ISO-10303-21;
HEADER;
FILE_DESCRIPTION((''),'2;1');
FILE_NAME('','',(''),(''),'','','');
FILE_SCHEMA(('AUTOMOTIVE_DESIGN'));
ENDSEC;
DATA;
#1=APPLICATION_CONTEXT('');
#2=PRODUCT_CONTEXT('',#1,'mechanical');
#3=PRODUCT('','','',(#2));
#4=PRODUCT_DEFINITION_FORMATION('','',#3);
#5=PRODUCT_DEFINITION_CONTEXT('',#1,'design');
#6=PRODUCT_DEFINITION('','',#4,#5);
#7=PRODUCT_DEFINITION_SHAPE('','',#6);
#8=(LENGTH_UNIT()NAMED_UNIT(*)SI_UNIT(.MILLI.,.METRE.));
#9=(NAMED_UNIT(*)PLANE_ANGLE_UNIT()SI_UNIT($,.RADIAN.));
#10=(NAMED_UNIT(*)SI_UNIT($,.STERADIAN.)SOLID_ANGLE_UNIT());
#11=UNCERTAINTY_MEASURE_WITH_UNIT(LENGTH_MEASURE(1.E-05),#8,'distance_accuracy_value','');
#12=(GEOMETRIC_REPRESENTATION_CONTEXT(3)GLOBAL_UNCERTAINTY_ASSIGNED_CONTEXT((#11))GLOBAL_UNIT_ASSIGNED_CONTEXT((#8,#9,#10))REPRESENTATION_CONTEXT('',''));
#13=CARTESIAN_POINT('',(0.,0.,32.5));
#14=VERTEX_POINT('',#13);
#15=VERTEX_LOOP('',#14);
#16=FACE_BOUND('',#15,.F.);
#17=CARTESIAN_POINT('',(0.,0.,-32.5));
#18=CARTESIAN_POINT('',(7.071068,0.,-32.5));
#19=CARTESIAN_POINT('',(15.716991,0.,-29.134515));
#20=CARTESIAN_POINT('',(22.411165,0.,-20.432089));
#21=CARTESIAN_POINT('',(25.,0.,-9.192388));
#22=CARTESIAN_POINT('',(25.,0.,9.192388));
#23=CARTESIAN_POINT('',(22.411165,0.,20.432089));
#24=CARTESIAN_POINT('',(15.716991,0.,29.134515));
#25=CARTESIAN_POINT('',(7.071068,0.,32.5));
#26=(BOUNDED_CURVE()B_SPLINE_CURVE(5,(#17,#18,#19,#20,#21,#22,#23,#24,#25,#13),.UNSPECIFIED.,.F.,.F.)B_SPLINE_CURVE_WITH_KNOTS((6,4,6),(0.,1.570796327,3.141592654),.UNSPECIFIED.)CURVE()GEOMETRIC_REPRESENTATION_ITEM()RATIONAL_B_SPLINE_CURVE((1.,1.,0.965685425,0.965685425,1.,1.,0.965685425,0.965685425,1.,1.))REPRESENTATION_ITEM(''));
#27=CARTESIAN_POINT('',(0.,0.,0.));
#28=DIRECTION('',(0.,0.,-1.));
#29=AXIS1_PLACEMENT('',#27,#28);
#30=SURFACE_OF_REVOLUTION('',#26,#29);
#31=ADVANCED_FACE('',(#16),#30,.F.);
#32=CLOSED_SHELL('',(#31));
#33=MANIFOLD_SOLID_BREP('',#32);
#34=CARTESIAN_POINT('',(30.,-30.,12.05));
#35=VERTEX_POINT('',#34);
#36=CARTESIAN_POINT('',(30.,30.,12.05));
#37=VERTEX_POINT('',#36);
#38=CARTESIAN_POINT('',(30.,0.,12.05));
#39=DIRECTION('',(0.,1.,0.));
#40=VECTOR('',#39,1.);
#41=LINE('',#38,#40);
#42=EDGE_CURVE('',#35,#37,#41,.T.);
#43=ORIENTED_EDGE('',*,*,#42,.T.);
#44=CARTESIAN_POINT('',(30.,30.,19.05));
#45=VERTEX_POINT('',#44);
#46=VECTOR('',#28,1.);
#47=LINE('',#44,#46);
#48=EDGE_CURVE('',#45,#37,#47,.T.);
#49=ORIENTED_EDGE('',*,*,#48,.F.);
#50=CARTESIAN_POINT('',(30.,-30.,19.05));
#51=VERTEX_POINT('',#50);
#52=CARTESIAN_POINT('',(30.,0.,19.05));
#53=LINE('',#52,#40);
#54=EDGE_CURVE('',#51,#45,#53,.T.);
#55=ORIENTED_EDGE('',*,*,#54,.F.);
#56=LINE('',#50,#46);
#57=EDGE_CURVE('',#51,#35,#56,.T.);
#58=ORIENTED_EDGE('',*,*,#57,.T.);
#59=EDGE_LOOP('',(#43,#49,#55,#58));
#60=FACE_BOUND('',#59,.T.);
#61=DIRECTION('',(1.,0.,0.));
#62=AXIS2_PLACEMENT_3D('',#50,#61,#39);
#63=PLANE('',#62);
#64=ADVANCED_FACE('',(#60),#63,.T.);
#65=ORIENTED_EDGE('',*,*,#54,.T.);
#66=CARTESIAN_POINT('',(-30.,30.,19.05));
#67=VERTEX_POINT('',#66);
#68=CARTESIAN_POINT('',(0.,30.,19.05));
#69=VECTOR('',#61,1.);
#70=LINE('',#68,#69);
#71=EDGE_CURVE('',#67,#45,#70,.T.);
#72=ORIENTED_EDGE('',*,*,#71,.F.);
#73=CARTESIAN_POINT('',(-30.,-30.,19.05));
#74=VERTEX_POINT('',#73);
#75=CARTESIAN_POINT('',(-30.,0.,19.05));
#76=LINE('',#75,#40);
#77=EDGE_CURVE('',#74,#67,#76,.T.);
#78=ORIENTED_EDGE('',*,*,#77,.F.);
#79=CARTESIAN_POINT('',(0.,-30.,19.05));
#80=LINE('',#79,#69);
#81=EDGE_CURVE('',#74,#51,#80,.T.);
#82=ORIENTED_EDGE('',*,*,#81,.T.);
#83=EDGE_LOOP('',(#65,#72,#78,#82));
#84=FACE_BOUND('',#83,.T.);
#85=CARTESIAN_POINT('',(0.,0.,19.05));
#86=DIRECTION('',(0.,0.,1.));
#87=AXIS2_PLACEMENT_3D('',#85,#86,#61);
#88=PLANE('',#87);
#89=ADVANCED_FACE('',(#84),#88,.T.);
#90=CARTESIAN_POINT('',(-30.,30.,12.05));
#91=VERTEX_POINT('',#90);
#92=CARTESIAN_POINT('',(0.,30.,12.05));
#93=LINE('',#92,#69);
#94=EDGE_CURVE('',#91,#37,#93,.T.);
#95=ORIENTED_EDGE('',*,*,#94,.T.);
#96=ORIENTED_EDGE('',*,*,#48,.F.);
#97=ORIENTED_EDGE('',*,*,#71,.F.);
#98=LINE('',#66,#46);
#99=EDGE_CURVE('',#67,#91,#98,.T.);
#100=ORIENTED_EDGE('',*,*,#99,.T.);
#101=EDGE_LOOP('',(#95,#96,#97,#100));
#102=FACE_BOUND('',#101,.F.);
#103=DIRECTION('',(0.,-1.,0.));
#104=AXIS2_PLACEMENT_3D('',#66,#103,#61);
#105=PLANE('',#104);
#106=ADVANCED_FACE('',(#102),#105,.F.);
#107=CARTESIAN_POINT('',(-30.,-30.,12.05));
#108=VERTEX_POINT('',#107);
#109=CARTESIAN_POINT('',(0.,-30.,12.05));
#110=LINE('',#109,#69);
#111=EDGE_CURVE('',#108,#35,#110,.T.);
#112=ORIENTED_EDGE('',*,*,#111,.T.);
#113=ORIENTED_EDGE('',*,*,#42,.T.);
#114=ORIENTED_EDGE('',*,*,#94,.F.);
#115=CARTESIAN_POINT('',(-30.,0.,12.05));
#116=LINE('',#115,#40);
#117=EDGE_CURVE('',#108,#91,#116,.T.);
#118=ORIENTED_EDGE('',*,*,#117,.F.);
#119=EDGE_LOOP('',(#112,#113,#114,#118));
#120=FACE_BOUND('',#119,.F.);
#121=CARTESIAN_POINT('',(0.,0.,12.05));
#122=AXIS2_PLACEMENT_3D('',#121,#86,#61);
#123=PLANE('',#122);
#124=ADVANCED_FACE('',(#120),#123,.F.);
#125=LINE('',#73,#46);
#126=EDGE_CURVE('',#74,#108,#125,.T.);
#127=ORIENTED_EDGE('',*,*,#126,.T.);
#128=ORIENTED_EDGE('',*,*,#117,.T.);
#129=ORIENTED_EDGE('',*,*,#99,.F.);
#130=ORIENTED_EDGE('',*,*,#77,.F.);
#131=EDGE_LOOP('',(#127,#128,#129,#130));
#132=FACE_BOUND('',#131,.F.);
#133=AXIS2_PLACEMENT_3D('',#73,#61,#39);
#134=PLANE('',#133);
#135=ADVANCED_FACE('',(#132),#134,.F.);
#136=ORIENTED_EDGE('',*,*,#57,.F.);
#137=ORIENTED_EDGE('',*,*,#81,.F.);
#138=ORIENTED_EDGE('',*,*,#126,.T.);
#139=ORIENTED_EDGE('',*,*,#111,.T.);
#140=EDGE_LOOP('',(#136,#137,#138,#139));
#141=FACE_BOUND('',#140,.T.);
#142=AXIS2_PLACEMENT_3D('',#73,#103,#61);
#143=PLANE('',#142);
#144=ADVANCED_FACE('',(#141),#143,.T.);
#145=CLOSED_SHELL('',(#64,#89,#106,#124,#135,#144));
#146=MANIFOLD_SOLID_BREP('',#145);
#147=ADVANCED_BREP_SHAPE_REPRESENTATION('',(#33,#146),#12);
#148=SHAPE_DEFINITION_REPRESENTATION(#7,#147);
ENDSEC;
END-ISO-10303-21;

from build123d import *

# Parameters (mm, degrees)
F3_W     = 60
F3_H     = 60
F4_DEPTH = 7


with BuildPart() as f1:
    # F0 (on Front) → F1 (revolve)
    with BuildSketch(Plane.XZ):
        with BuildLine():
            Line((0, 0), (0, -32.5))
            add(Edge.make_bspline(
                [(0, -32.5), (25, -32.5), (25, 0)],
                knots=[0, 0, 0, 1.5707963268, 1.5707963268, 1.5707963268], degree=2, weights=[1, 0.7071067812, 1]))
            Line((25, 0), (0, 0))
        make_face()
        with BuildLine():
            Line((0, 0), (25, 0))
            add(Edge.make_bspline(
                [(25, 0), (25, 32.5), (0, 32.5)],
                knots=[1.5707963268, 1.5707963268, 1.5707963268, 3.1415926536, 3.1415926536, 3.1415926536], degree=2, weights=[1, 0.7071067812, 1]))
            Line((0, 32.5), (0, 0))
        make_face()
    revolve(axis=Axis((0, 0, 0), (0, 0, -1)))


with BuildPart() as f4:
    # F3 (on offset) → F4 (new body)
    with BuildSketch(Plane.XY.offset(19.05)):
        Rectangle(F3_W, F3_H)
    extrude(amount=-F4_DEPTH)


solid = Compound([f1.part, f4.part])
